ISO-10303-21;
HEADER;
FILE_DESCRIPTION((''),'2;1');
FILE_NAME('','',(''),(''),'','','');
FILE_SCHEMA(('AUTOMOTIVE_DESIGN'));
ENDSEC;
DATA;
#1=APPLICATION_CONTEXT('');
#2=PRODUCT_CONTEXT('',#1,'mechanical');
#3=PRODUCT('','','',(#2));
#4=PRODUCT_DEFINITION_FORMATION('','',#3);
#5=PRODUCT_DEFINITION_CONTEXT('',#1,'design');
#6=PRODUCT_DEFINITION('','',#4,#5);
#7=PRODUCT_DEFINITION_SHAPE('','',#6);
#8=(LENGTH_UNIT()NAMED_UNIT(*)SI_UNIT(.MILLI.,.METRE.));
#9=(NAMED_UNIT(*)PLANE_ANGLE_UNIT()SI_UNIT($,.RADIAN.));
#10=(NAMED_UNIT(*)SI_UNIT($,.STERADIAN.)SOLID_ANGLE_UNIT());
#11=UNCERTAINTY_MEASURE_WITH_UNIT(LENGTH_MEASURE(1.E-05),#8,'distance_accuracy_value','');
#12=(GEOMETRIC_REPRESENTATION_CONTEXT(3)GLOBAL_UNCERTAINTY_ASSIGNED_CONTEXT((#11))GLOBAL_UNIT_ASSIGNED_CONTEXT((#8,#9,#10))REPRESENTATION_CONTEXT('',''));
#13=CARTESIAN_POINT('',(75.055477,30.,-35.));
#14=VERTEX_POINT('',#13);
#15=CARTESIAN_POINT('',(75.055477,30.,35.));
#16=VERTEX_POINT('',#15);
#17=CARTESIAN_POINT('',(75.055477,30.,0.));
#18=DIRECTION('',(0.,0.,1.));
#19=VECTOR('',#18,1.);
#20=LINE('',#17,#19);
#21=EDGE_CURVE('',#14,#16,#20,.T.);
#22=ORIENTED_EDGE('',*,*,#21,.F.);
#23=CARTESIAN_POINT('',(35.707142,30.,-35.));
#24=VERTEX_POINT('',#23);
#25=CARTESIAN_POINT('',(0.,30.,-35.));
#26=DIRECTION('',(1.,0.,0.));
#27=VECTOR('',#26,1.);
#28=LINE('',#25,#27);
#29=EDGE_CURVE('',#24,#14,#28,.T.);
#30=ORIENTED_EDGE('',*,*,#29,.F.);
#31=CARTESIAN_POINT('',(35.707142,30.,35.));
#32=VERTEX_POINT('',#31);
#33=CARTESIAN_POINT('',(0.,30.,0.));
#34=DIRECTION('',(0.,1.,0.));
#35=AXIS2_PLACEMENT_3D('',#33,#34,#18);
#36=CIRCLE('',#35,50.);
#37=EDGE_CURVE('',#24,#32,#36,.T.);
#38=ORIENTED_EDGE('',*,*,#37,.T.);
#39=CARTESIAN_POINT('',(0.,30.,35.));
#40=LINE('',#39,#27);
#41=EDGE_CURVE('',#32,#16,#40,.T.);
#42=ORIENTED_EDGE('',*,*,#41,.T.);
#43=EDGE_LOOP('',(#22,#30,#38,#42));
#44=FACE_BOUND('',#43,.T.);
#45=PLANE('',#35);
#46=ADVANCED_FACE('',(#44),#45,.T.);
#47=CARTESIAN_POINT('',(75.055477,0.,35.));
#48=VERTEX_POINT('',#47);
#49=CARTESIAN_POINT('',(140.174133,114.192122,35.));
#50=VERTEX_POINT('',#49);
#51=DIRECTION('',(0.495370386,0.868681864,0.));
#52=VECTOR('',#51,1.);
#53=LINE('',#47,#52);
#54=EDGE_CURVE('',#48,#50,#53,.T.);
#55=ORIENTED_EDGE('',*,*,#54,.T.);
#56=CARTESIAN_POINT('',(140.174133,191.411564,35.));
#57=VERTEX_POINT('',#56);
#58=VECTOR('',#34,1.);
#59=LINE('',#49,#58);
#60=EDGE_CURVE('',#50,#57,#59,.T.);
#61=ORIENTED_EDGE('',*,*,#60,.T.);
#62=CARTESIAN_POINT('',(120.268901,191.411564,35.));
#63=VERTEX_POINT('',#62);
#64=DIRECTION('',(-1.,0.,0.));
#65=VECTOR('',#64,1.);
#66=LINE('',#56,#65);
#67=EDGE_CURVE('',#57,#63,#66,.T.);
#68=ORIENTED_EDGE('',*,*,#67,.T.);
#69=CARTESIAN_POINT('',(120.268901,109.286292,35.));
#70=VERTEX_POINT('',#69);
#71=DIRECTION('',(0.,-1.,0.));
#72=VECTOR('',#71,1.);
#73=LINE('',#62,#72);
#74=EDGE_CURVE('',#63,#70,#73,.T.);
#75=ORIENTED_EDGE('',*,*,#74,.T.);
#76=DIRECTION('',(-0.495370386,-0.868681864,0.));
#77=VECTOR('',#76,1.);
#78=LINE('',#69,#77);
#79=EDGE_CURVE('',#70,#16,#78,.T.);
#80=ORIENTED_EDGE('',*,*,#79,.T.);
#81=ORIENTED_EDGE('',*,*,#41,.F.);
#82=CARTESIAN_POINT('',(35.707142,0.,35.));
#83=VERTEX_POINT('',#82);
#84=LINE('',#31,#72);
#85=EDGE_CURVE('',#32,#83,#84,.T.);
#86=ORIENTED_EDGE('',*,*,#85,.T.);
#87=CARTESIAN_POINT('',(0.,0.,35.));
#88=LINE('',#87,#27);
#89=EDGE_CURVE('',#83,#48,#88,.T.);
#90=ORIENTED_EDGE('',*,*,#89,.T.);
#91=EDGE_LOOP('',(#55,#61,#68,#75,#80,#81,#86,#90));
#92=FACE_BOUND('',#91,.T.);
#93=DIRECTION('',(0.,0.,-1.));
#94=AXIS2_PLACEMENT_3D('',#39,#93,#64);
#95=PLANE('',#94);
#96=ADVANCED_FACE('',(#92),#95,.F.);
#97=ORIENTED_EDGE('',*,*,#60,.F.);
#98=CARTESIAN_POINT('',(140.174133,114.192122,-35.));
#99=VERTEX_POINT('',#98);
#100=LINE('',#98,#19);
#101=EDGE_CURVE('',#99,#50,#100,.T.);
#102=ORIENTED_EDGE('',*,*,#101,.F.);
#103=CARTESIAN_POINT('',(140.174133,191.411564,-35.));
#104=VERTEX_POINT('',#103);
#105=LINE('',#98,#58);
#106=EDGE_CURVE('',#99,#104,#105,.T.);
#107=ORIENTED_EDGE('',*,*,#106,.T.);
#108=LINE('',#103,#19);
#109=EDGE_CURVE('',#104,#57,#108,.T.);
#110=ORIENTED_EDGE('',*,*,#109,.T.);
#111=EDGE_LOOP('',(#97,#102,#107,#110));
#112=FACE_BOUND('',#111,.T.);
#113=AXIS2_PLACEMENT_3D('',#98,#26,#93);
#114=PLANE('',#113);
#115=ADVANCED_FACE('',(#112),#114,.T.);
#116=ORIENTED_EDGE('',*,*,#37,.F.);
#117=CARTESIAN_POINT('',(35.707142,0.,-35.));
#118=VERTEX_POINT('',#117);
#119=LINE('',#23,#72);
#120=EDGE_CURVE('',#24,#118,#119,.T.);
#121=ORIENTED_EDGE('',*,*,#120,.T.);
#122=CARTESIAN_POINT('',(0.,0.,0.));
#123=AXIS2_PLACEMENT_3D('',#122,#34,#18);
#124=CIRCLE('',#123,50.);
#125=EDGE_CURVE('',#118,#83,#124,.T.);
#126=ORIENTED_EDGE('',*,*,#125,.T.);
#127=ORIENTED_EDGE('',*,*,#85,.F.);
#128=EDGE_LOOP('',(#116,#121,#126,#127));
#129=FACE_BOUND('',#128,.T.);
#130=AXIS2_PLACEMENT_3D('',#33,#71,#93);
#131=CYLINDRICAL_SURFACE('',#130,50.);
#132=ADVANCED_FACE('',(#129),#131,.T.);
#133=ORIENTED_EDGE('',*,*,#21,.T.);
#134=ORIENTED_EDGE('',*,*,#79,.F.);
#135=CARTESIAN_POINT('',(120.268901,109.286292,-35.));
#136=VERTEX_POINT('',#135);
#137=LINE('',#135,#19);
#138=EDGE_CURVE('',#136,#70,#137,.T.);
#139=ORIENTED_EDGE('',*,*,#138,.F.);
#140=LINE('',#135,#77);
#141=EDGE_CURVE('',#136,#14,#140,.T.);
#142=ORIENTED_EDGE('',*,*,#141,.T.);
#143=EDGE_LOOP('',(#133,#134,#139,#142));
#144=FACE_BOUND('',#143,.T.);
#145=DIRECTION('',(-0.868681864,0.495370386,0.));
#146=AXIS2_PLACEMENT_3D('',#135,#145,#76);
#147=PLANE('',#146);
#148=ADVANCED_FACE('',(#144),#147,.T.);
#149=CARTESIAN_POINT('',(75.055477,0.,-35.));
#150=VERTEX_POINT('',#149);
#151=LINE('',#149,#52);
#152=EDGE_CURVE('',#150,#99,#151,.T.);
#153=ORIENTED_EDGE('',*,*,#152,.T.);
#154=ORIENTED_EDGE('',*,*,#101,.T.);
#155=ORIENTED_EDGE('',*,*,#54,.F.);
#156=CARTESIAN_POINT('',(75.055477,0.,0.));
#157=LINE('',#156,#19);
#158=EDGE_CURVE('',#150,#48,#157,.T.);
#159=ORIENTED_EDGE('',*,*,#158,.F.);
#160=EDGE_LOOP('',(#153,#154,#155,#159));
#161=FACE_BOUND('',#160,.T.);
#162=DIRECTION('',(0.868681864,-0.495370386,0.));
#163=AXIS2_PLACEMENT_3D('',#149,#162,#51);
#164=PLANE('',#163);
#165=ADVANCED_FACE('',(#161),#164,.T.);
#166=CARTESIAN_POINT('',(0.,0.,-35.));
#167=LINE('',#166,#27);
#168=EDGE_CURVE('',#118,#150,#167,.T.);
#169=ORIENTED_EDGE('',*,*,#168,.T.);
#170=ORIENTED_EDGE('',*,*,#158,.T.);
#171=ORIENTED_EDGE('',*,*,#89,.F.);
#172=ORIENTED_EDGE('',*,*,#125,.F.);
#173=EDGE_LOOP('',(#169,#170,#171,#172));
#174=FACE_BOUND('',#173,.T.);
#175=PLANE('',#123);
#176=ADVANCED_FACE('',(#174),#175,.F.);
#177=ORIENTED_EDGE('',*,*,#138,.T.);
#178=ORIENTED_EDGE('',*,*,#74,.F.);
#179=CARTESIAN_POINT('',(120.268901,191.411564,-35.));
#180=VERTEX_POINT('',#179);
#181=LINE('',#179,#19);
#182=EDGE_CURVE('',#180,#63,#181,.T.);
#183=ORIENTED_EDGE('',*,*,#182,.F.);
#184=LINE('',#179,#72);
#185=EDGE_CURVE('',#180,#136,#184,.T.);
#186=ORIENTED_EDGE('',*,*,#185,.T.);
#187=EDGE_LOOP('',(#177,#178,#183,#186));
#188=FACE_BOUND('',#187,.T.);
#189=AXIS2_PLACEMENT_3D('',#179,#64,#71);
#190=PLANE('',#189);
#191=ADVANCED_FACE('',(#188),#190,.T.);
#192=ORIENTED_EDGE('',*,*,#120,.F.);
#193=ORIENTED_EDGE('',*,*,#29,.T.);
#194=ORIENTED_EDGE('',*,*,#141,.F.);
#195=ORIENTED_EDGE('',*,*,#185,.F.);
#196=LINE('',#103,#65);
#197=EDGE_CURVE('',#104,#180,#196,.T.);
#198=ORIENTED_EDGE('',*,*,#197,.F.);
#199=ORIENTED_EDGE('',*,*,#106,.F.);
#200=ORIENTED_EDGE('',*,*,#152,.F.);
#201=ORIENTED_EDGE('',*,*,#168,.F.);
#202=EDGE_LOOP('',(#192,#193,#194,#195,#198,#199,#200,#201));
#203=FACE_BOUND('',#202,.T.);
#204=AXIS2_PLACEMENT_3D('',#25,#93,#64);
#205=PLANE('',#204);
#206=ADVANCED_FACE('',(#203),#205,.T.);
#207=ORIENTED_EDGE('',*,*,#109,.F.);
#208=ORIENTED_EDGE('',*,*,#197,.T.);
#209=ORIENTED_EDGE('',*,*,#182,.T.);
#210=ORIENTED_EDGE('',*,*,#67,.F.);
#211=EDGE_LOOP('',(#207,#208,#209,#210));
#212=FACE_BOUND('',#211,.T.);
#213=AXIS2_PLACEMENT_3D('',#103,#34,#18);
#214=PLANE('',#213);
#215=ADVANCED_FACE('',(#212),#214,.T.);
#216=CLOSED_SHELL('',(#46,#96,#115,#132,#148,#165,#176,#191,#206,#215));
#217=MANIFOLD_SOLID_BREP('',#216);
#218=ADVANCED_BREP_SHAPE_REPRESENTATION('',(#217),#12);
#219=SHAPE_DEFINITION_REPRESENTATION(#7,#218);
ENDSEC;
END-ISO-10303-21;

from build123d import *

# Parameters (mm, degrees)
EXTRUDE_1_DEPTH = 30
EXTRUDE_2_DEPTH = 70


with BuildPart() as part:
    # 草图1 → 凸台-拉伸1 (new body)
    with BuildSketch(Plane(origin=(0, 0, 0), x_dir=(1, 0, 0), z_dir=(0, 1, 0))):
        with BuildLine():
            Line((75.055476805, 35), (35.707142143, 35))
            ThreePointArc((35.707142143, 35), (46.289075964, 18.902948088), (50, 0))
            ThreePointArc((50, 0), (46.289075964, -18.902948088), (35.707142143, -35))
            Line((35.707142143, -35), (75.055476805, -35))
            Line((75.055476805, -35), (75.055476805, 35))
        make_face()
        with BuildLine():
            Line((0.055476805, -35), (0.055476805, 35))
            Line((0.055476805, 35), (35.707142143, 35))
            ThreePointArc((35.707142143, 35), (-50, 0), (35.707142143, -35))
            Line((35.707142143, -35), (0.055476805, -35))
        make_face()
        with BuildLine():
            Line((35.707142143, 35), (0.055476805, 35))
            Line((0.055476805, 35), (0.055476805, -35))
            Line((0.055476805, -35), (35.707142143, -35))
            ThreePointArc((35.707142143, -35), (46.289075964, -18.902948088), (50, 0))
            ThreePointArc((50, 0), (46.289075964, 18.902948088), (35.707142143, 35))
        make_face()
    extrude(amount=EXTRUDE_1_DEPTH)

    # 草图2 → 凸台-拉伸2 (add)
    with BuildSketch(Plane.XY.offset(35)):
        Polygon((75.055476805, 0), (140.174133177, 114.192122372), (140.174133177, 191.411564081), (120.26890055, 191.411564081), (120.26890055, 109.286292207), (75.055476805, 30), align=None)
    extrude(amount=-EXTRUDE_2_DEPTH)


solid = part.part
